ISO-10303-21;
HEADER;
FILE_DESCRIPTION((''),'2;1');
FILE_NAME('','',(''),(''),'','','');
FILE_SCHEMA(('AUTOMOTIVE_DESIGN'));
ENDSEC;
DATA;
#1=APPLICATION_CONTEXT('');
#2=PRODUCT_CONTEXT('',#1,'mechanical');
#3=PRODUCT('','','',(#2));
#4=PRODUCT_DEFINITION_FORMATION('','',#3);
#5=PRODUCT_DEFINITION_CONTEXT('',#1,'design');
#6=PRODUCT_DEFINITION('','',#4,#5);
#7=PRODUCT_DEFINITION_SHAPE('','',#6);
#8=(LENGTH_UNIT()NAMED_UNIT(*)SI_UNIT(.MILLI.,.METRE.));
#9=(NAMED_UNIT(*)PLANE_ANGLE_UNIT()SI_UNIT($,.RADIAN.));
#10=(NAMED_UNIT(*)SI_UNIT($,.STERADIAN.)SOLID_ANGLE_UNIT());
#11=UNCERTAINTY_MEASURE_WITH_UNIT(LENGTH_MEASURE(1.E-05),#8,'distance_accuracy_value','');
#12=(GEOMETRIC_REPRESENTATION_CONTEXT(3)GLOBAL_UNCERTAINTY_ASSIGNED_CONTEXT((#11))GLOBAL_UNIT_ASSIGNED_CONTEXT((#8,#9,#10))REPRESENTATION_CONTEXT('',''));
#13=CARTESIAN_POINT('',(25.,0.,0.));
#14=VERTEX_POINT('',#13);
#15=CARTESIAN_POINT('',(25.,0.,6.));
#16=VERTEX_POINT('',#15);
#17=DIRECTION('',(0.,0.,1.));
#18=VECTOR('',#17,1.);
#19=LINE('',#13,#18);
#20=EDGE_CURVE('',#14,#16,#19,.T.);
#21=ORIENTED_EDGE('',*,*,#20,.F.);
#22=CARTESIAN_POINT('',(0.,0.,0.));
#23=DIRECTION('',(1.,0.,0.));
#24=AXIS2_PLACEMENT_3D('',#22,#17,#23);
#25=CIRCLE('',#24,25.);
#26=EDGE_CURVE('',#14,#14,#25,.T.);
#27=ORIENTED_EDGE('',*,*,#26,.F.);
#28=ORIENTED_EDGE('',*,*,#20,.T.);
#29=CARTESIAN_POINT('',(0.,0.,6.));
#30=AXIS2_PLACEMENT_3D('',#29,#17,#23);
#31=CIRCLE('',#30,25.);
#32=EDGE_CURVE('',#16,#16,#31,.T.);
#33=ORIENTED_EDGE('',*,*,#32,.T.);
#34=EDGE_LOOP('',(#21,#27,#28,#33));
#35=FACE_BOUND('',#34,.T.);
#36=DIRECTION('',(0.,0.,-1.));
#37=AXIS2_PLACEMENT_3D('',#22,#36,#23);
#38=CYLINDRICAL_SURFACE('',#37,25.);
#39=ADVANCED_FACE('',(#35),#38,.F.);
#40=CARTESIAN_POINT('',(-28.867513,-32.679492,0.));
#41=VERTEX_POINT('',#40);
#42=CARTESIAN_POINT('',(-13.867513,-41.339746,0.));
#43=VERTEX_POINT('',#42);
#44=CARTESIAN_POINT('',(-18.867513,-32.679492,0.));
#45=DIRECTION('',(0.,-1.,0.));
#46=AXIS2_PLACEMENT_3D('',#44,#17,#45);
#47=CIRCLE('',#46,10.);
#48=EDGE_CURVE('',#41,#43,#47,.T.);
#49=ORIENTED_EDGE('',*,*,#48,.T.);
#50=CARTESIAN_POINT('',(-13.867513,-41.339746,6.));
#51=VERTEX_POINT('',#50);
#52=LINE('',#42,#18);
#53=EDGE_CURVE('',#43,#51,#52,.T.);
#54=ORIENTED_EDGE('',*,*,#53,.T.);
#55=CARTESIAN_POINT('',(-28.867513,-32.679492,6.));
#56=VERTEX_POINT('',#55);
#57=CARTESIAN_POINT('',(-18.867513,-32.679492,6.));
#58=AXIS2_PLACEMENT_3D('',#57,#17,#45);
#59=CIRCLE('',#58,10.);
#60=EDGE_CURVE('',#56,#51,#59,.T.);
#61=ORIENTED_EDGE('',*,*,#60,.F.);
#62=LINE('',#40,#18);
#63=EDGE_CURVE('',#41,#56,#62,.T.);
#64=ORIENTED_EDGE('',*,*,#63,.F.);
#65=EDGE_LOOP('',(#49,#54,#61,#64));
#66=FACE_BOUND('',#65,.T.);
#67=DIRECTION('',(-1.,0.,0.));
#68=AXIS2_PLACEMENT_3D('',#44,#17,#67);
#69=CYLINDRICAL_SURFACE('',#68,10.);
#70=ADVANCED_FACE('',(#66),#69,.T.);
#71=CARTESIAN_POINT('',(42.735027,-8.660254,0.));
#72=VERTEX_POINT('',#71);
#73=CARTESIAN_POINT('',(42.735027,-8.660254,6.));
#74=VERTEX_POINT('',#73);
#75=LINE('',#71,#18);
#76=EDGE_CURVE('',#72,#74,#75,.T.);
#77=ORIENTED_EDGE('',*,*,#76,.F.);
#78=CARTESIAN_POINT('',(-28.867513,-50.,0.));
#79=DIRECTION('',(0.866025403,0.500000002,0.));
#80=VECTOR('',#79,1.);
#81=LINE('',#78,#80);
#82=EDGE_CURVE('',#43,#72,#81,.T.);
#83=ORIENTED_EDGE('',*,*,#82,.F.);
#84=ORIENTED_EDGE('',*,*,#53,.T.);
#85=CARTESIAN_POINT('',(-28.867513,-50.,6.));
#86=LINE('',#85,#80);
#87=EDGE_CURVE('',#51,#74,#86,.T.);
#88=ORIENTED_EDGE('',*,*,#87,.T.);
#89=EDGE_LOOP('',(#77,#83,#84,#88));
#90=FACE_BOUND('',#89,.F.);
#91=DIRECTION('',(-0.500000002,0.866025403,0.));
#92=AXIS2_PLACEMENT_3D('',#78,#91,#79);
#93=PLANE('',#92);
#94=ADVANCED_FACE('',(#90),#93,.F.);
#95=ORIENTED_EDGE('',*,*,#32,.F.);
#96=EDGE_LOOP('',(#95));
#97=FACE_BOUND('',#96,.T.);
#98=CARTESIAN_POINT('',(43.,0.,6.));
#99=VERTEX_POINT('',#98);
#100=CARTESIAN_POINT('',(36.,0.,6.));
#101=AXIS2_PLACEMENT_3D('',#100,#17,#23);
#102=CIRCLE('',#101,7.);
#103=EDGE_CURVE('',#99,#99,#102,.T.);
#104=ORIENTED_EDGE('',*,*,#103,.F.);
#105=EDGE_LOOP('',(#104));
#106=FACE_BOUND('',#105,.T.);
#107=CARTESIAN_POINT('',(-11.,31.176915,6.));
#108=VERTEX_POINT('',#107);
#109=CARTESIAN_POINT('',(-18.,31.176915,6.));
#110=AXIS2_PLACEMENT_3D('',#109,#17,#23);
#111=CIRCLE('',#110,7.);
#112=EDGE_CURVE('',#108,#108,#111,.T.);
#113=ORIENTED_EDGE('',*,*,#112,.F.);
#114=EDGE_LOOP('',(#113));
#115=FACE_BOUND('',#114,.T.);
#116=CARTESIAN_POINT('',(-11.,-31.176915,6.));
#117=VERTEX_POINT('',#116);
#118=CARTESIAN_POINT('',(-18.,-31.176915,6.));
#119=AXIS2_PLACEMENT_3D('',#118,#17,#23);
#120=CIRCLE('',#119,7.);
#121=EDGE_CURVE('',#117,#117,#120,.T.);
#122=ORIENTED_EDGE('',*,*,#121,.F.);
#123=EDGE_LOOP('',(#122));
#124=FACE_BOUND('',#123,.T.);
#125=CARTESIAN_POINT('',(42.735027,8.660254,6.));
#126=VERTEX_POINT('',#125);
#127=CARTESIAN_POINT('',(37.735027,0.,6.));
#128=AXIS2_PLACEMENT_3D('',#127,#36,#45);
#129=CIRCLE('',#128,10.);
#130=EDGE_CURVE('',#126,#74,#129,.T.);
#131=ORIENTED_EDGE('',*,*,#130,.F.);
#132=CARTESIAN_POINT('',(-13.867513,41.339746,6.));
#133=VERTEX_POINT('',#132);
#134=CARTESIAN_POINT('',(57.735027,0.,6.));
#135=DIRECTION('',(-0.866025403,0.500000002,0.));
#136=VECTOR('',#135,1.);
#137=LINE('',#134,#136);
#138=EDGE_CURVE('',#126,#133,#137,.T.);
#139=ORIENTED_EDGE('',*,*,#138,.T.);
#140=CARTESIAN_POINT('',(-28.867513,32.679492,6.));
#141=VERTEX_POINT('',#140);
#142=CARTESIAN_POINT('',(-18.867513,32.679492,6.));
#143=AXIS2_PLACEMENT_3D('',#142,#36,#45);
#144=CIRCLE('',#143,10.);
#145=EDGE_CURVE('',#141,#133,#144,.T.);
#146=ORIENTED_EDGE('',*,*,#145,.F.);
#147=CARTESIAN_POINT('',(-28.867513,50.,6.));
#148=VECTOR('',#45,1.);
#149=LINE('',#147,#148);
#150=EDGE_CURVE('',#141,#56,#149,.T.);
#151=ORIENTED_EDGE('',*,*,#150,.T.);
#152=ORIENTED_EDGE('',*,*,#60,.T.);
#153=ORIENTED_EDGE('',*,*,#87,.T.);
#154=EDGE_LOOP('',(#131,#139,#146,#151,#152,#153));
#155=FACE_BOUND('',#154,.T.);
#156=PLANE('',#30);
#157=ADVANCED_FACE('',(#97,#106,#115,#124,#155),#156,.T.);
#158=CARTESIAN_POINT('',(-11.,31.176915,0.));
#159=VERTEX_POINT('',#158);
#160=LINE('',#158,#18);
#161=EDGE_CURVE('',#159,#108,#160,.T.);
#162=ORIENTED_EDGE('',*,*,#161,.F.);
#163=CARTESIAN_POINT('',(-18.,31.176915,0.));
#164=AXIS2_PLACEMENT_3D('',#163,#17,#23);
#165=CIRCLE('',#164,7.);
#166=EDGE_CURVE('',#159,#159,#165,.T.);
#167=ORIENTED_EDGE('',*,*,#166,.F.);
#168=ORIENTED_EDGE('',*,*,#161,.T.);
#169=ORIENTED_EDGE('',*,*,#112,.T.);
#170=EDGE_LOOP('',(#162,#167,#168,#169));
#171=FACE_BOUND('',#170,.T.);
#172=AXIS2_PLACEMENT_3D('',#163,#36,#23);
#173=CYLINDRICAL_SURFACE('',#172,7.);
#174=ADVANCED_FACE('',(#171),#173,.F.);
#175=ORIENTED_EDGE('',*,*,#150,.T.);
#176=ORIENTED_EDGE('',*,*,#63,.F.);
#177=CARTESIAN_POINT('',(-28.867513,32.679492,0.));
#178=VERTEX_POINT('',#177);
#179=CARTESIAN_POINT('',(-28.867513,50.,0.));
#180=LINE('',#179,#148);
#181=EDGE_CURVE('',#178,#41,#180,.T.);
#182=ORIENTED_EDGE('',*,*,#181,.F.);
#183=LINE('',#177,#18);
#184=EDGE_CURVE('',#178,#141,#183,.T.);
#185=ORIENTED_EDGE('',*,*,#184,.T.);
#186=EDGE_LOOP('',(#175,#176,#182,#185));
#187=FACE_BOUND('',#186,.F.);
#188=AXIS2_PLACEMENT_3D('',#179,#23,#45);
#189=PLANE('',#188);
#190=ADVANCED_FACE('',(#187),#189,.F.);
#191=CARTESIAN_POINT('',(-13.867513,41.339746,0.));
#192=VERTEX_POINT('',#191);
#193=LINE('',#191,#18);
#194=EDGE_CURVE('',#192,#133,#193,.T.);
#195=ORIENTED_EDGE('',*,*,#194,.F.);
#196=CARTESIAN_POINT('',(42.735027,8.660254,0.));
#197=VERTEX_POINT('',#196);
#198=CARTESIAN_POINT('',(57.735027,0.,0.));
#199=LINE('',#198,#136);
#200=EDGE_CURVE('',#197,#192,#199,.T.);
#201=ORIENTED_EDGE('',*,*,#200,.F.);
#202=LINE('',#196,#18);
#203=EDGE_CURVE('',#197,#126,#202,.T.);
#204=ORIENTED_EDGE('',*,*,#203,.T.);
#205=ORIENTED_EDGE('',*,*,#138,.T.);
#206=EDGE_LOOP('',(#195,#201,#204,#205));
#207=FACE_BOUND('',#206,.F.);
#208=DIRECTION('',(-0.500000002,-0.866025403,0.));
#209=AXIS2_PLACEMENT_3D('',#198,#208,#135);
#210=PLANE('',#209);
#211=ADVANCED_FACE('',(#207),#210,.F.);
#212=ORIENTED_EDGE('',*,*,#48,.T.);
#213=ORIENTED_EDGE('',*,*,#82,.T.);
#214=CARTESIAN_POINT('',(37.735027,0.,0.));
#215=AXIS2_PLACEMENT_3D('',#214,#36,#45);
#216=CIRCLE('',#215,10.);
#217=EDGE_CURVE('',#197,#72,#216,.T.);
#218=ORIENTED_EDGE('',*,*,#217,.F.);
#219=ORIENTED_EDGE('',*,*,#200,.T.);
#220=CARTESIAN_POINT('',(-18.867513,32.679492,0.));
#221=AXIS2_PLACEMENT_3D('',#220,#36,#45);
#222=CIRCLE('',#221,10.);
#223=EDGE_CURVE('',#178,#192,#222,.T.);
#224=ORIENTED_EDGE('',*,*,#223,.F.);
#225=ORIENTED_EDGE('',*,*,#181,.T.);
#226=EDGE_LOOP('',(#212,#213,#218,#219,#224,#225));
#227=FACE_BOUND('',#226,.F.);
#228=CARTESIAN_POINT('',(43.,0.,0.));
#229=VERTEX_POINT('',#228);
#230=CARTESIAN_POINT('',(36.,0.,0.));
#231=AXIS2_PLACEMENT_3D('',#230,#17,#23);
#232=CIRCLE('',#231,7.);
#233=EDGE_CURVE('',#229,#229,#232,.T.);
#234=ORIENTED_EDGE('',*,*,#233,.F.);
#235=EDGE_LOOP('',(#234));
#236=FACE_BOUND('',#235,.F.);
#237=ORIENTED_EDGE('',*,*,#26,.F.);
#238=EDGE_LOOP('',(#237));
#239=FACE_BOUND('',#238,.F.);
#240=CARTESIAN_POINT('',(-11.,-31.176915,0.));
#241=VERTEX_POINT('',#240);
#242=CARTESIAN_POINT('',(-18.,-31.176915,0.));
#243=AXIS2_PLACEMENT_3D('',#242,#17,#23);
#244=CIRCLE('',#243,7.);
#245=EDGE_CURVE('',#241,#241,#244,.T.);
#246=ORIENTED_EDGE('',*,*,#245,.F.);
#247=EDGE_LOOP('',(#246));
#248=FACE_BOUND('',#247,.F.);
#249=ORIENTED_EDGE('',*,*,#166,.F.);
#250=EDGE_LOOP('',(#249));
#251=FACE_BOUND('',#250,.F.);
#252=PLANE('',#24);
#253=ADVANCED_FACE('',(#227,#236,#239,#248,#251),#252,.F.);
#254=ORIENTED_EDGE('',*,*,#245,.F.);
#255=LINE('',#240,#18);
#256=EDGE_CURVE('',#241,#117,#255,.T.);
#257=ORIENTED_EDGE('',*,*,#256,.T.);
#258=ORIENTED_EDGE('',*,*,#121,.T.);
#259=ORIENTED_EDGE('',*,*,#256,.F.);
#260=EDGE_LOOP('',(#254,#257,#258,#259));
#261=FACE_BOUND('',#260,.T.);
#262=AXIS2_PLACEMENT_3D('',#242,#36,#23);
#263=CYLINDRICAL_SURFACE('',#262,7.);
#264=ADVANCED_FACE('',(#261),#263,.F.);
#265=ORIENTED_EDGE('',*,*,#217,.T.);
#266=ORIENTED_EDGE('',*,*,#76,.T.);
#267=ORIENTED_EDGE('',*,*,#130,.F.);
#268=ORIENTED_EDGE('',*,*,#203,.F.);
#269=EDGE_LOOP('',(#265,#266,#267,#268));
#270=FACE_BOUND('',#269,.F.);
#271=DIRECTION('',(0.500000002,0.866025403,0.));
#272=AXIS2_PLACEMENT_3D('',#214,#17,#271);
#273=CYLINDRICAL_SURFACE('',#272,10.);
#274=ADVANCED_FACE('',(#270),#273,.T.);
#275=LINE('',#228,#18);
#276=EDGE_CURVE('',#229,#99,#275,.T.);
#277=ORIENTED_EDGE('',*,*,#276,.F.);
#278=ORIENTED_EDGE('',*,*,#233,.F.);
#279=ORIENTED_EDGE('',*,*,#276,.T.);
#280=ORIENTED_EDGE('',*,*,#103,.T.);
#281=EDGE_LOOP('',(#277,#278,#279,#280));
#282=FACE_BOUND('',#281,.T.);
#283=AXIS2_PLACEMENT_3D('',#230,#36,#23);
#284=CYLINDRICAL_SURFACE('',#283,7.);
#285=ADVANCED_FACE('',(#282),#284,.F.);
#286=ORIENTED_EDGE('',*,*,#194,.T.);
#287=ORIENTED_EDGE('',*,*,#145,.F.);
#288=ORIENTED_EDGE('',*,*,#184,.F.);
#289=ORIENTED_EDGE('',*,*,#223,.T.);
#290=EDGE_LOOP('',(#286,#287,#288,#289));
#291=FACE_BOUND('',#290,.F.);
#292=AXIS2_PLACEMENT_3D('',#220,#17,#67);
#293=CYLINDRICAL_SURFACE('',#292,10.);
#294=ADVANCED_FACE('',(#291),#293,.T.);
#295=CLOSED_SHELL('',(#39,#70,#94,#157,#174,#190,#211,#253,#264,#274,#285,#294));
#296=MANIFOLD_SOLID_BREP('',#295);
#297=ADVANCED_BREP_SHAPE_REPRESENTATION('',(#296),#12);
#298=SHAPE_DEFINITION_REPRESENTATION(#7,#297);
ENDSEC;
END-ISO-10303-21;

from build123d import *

# Parameters (mm, degrees)
F0_R     = 7
F0_R_2   = 25
F1_DEPTH = 6
F2_R     = 10


with BuildPart() as f1:
    # F0 (on Top) → F1 (new body)
    with BuildSketch(Plane.XY):
        Polygon((-28.867513, 50), (-28.867513, -50), (57.735027, 0), align=None)
        with Locations((-18, -31.176915)):
            Circle(F0_R, mode=Mode.SUBTRACT)
        Circle(F0_R_2, mode=Mode.SUBTRACT)
        with Locations((-18, 31.176915)):
            Circle(F0_R, mode=Mode.SUBTRACT)
        with Locations((36, 0)):
            Circle(F0_R, mode=Mode.SUBTRACT)
    extrude(amount=F1_DEPTH)

    # F2
    f2_edges = [f1.edges().sort_by_distance(p)[0] for p in [
        (-28.867513, -50, 3),
        (57.735027, 0, 3),
        (-28.867513, 50, 3),
    ]]
    fillet(f2_edges, radius=F2_R)


solid = f1.part
